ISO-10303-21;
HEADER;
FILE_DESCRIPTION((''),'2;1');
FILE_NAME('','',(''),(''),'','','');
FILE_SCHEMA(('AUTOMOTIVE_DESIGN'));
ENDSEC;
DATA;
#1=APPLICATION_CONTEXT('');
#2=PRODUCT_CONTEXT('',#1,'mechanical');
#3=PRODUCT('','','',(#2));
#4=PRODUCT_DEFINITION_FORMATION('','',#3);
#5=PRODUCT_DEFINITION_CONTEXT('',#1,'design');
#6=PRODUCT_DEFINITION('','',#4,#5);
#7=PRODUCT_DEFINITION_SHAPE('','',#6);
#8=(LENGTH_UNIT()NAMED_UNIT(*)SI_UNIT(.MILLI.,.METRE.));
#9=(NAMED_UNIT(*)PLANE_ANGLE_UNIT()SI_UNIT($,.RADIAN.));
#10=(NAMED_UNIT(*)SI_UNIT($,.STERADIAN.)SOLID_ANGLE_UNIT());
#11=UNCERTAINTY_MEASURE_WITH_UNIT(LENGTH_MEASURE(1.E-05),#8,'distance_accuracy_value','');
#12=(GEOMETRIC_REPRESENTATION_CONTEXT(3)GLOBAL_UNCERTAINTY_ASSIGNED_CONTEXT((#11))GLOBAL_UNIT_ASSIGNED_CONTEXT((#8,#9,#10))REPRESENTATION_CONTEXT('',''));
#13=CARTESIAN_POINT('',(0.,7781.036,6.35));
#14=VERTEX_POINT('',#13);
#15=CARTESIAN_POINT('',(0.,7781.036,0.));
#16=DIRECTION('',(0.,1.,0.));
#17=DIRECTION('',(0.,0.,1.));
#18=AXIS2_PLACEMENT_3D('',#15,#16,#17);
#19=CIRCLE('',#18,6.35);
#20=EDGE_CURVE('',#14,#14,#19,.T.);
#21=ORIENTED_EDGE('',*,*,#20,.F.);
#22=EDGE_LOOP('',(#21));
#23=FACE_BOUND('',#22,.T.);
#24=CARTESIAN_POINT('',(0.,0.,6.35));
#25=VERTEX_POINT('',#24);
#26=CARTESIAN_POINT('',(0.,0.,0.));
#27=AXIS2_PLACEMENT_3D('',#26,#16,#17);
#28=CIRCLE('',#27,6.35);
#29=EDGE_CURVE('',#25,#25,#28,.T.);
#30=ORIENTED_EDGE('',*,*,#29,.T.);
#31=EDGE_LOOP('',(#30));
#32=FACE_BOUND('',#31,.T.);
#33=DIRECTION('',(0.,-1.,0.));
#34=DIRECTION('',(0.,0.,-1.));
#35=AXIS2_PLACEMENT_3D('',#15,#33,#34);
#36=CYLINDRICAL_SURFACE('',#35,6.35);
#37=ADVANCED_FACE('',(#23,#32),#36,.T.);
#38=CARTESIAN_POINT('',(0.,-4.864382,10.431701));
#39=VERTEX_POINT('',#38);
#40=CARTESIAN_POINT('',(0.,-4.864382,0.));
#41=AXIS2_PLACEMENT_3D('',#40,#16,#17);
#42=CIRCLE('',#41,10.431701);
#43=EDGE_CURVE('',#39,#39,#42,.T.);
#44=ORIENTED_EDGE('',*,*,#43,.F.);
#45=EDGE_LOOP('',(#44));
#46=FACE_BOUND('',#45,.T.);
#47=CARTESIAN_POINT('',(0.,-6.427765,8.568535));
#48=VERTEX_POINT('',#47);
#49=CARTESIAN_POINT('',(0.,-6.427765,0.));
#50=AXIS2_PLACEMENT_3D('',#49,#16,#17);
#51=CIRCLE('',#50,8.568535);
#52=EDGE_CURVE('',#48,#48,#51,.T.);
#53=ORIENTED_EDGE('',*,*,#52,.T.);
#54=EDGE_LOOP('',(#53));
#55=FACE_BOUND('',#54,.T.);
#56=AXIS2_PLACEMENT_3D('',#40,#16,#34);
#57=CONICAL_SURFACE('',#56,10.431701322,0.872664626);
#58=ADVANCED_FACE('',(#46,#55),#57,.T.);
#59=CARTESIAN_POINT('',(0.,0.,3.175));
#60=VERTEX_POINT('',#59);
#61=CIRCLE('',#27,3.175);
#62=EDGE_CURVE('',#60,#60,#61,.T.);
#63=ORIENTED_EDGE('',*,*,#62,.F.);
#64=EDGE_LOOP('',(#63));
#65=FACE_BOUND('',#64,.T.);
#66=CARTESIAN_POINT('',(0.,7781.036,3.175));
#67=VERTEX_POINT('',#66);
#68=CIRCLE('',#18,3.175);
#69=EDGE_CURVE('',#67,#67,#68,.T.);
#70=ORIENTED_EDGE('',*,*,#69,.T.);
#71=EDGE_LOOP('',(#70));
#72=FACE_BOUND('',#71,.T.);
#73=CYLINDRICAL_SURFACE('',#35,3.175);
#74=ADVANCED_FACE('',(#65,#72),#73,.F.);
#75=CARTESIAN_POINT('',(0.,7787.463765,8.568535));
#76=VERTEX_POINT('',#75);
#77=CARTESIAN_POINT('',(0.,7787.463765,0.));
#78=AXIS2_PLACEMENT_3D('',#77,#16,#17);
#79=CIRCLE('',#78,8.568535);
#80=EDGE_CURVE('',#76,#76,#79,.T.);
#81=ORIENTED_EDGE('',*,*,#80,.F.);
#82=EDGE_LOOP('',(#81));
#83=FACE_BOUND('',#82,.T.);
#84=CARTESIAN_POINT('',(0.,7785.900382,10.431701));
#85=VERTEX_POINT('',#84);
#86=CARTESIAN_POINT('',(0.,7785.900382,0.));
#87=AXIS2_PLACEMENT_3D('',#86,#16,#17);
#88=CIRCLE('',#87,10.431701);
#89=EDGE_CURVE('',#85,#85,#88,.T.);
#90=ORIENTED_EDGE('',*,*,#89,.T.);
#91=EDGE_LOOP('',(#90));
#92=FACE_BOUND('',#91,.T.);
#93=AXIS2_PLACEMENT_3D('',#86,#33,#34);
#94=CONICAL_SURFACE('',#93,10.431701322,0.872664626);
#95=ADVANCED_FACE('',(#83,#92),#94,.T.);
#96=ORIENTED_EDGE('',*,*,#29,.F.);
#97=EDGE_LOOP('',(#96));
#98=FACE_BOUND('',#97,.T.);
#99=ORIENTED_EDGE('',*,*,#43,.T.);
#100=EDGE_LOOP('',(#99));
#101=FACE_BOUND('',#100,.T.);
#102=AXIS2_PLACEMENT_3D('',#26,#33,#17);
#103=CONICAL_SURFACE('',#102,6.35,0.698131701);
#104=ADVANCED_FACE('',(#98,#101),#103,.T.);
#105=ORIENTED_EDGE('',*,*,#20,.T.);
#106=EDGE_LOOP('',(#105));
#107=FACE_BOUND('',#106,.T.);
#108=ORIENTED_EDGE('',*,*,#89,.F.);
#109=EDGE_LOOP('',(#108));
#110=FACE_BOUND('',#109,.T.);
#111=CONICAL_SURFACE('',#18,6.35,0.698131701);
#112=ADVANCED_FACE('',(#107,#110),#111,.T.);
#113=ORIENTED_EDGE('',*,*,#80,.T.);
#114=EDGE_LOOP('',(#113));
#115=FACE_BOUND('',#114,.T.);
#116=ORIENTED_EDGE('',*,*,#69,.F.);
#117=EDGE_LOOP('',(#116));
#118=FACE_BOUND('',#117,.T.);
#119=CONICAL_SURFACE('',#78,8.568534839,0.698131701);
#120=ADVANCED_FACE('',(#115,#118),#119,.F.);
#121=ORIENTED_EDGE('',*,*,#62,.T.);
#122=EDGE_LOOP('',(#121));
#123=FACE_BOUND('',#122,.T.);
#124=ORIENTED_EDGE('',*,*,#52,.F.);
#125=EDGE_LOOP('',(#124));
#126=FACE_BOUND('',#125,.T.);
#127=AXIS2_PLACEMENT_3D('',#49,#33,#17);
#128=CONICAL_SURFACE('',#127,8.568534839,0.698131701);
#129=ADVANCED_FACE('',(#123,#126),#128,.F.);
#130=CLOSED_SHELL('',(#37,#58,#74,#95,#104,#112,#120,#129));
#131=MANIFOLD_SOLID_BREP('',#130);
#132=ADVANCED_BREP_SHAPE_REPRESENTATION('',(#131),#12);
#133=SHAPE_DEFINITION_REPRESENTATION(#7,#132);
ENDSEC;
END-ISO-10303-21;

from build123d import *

# Parameters (mm, degrees)
SKETCH1_R           = 6.35
SKETCH1_R_2         = 3.175
BOSS_EXTRUDE1_DEPTH = 7781.036


with BuildPart() as part:
    # Sketch1 → Boss-Extrude1 (new body)
    with BuildSketch(Plane(origin=(0, 0, 0), x_dir=(1, 0, 0), z_dir=(0, 1, 0))):
        Circle(SKETCH1_R)
        Circle(SKETCH1_R_2, mode=Mode.SUBTRACT)
    extrude(amount=BOSS_EXTRUDE1_DEPTH)

    # Sketch2 → Revolve1 (revolve)
    with BuildSketch(Plane(origin=(0, 0, 0), x_dir=(0, 0, -1), z_dir=(1, 0, 0))):
        Polygon((6.35, 7781.036), (10.431701322, 7785.900382214), (8.568534839, 7787.463764522), (3.175, 7781.036), align=None)
    revolve1 = revolve(axis=Axis((0, 8176.570252748, 0), (0, -1, 0)))

    # Mirror1: Revolve1 across plane
    add(revolve1.mirror(Plane.ZX.offset(3890.518)))


solid = part.part
